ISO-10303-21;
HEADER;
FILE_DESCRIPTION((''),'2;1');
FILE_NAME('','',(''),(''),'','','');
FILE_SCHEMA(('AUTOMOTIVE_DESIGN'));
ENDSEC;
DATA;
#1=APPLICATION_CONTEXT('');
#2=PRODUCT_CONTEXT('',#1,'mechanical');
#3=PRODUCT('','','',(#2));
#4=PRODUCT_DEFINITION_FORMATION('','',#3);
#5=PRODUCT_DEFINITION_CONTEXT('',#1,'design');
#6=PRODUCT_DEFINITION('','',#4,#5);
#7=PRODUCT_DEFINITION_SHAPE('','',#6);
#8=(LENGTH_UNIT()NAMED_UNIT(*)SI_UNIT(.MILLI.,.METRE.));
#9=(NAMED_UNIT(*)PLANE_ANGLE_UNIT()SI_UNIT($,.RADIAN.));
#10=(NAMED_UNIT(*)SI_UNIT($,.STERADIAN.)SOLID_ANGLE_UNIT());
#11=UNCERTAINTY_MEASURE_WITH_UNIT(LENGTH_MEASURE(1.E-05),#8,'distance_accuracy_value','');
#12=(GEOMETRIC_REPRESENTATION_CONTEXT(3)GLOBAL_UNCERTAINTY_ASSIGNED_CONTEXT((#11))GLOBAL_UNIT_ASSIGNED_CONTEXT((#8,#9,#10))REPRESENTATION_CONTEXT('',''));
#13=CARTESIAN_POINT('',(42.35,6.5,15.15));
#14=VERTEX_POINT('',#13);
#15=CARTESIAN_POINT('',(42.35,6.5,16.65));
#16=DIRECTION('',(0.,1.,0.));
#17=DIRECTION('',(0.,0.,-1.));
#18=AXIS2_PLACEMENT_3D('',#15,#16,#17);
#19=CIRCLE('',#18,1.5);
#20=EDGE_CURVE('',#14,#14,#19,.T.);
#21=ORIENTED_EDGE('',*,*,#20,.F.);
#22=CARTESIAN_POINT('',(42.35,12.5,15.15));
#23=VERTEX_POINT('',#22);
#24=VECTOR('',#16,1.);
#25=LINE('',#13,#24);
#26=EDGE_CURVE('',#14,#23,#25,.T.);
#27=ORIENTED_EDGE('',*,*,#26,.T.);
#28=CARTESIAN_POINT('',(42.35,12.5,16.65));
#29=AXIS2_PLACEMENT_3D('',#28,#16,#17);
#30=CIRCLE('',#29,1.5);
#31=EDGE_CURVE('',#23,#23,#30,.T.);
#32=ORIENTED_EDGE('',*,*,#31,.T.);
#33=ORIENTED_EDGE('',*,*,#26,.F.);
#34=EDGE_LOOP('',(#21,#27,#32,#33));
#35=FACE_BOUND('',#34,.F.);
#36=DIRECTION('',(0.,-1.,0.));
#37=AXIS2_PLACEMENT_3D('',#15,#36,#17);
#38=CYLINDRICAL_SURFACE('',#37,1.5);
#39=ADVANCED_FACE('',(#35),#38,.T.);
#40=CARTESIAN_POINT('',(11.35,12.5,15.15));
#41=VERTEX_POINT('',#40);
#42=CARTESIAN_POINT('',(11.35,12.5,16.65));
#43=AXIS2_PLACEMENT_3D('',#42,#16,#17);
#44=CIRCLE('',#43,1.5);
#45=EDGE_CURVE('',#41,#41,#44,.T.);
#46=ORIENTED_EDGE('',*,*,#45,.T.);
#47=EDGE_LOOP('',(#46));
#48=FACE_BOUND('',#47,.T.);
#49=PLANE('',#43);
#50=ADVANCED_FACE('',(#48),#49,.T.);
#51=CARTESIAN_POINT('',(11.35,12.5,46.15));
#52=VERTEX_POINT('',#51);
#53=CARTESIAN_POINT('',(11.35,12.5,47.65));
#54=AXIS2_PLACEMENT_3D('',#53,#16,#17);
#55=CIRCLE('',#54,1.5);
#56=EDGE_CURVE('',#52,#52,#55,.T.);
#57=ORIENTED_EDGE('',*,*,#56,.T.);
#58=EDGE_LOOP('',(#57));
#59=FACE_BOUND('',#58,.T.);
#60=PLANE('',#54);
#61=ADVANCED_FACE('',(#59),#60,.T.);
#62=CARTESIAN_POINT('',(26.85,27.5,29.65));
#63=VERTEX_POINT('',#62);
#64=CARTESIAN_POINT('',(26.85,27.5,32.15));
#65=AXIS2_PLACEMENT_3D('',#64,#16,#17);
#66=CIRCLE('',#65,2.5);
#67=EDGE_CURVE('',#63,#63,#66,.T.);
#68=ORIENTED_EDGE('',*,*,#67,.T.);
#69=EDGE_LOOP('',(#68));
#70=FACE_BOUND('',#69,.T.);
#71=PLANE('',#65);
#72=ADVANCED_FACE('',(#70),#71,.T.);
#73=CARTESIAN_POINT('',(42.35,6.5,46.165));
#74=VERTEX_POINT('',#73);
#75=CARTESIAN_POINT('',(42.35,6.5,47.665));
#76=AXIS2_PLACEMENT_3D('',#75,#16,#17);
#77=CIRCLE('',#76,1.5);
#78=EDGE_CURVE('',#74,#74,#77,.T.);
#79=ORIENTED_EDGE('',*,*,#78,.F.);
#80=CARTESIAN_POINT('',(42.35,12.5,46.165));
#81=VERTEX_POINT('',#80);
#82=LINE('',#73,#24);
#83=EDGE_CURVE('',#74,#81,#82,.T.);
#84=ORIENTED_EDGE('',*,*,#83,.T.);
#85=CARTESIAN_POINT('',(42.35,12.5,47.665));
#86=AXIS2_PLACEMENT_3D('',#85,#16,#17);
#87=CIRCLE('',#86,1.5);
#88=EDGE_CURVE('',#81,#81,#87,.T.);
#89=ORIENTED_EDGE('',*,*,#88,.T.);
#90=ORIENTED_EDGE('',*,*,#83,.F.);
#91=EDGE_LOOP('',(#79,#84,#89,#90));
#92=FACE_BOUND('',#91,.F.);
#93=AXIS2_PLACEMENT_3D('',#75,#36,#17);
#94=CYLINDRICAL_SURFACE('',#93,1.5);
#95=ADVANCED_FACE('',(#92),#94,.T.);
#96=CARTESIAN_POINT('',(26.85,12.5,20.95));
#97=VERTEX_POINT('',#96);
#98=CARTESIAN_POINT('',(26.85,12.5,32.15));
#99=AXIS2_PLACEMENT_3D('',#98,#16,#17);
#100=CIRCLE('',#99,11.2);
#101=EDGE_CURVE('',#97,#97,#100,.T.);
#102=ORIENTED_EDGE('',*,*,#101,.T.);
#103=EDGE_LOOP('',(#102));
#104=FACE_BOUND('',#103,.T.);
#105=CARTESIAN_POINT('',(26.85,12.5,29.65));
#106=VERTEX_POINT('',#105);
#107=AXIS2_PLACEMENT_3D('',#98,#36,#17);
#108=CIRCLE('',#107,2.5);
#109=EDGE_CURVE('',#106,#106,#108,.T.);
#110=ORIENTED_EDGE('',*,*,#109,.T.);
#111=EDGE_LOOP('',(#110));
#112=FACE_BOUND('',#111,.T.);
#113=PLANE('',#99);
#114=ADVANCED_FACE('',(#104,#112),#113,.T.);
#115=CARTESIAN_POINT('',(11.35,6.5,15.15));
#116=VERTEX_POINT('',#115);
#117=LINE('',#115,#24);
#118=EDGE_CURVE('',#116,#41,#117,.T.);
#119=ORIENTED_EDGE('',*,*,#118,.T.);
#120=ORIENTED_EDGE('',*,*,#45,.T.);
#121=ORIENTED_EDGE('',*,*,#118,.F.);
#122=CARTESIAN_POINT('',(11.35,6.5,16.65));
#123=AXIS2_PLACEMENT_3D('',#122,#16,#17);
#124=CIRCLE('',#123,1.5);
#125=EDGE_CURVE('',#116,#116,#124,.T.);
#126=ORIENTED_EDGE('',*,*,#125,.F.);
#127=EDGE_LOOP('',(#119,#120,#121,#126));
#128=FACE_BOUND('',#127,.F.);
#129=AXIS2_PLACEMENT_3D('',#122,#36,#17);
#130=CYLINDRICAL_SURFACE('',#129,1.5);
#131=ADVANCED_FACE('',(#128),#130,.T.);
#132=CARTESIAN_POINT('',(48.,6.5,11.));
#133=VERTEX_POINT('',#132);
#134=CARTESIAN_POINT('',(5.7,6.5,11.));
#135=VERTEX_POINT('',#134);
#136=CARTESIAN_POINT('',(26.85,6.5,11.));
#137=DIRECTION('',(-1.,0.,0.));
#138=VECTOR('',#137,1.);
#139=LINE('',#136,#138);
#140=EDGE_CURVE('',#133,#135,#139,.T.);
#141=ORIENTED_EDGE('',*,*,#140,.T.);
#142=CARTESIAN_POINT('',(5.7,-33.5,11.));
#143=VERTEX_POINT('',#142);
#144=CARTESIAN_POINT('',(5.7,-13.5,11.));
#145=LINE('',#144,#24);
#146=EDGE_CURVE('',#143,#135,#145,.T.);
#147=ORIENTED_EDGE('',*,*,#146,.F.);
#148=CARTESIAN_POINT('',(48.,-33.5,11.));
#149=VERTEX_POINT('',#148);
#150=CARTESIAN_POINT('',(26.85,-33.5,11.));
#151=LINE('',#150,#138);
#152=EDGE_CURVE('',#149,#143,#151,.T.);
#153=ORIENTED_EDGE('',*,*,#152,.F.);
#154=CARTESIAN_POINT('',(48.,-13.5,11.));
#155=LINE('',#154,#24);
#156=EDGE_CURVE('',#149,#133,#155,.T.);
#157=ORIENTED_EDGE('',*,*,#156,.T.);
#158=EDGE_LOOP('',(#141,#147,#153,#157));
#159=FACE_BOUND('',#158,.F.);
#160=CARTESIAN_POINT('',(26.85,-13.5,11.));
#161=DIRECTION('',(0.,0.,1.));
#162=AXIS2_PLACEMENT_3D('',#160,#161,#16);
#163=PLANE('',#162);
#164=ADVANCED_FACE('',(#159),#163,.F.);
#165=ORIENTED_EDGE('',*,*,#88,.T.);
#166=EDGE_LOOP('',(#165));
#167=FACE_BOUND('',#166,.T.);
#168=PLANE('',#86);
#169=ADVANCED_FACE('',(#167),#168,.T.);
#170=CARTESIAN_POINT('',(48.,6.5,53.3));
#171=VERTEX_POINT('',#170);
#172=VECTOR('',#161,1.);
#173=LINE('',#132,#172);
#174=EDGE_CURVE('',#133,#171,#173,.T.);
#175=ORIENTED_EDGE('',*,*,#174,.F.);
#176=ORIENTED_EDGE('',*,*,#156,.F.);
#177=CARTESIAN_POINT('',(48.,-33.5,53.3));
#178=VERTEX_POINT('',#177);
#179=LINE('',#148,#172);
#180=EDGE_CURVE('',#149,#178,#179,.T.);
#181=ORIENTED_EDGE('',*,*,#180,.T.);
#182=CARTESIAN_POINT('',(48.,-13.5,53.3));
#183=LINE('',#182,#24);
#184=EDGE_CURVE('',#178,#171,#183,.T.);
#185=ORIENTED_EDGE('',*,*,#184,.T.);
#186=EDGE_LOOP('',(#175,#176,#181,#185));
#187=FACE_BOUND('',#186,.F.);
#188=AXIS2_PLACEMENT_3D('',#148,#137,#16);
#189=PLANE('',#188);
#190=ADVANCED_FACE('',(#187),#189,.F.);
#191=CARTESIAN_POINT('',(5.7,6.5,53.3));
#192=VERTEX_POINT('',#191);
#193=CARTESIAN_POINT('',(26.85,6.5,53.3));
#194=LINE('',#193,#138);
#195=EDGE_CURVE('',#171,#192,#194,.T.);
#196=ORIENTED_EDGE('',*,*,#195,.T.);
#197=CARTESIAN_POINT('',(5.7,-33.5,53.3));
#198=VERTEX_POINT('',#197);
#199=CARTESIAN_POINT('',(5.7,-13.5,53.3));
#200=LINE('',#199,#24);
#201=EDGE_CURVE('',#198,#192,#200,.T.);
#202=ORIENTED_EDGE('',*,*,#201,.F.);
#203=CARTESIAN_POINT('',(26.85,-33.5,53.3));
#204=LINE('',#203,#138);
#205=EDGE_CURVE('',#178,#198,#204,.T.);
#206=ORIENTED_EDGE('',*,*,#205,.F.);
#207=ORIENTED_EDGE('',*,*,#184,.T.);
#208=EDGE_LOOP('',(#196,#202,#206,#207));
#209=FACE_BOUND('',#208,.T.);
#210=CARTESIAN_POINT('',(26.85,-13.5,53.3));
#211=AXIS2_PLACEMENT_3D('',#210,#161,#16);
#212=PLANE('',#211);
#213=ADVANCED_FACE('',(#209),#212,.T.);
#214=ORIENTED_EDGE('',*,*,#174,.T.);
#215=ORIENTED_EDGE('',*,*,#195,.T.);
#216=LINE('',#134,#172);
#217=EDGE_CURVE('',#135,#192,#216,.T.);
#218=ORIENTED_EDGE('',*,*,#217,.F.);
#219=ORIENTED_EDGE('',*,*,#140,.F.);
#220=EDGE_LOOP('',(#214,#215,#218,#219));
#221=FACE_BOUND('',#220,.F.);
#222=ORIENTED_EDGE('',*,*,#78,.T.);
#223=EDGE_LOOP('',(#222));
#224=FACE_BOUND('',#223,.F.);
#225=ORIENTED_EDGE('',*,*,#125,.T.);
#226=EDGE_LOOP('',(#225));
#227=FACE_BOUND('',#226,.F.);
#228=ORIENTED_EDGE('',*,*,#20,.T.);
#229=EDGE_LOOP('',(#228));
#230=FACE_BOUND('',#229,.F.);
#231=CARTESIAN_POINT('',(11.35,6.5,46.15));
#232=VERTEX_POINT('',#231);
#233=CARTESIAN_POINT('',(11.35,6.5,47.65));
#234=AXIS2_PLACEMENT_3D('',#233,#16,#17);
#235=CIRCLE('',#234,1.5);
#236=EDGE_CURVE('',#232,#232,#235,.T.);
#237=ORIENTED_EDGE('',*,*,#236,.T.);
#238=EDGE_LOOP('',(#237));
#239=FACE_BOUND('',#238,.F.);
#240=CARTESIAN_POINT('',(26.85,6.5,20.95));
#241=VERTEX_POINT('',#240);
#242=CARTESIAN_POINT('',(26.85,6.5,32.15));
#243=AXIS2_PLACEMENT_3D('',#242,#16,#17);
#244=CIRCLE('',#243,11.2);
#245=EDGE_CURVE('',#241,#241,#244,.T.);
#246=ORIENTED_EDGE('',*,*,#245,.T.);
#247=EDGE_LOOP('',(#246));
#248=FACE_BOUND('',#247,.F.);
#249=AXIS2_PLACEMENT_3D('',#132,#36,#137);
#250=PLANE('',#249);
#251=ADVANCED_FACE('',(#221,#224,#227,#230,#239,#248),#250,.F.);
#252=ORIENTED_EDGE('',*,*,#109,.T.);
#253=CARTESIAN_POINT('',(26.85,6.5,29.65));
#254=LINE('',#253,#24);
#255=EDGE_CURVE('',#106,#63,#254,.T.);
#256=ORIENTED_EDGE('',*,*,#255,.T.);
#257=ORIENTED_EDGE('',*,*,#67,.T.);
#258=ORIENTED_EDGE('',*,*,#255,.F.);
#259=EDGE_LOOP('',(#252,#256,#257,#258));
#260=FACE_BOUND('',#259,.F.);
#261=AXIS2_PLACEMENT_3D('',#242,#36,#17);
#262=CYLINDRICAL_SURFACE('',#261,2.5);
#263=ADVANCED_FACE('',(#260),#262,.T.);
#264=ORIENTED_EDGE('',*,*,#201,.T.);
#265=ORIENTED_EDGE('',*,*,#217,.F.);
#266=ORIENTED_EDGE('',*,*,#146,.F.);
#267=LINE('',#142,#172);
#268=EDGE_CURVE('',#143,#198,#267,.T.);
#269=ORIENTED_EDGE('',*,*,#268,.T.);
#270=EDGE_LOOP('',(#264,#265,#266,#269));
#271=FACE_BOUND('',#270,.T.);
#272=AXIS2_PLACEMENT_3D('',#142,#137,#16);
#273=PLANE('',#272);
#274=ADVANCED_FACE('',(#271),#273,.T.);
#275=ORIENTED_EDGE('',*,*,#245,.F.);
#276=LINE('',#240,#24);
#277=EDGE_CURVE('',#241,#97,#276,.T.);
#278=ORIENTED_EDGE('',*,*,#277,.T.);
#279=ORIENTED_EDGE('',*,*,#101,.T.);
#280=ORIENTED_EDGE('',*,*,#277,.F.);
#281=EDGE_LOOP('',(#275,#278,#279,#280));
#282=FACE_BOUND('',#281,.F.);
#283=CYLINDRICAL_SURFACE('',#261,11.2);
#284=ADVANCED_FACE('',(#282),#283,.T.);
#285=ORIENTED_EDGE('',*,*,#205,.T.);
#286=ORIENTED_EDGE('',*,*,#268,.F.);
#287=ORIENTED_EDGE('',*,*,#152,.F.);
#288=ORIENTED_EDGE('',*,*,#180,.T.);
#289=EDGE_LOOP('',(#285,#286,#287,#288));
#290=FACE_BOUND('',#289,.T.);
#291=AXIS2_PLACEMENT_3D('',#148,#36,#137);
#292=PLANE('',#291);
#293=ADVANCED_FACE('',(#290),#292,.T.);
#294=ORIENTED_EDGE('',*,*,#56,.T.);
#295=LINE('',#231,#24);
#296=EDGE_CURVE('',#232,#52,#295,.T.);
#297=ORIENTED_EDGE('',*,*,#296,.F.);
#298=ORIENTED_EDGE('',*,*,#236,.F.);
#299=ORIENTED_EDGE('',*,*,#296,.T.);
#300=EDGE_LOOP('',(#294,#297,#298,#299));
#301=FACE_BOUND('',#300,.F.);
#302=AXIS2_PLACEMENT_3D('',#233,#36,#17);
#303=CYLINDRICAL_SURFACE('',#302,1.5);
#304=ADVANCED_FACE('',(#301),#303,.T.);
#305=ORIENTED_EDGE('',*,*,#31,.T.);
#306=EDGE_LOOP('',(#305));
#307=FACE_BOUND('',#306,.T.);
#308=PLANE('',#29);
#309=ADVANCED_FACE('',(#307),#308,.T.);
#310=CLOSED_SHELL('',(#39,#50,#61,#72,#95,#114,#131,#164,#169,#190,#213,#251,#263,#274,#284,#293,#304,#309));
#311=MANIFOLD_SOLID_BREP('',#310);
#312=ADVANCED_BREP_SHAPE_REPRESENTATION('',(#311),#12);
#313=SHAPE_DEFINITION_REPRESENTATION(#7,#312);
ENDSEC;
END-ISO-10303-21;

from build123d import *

# Parameters (mm, degrees)
CYLINDER236_R             = 1.5
CYLINDER236_DEPTH         = 6
CYLINDER234_R             = 1.5
CYLINDER234_DEPTH         = 6
CYLINDER232_R             = 11.2
CYLINDER232_DEPTH         = 6
CYLINDER237_R             = 2.5
CYLINDER237_DEPTH         = 21
CYLINDER235_R             = 1.5
CYLINDER235_DEPTH         = 6
CYLINDER233_R             = 1.5
CYLINDER233_DEPTH         = 6
BOX091_W                  = 40
BOX091_H                  = 42.3
BOX091_DEPTH              = 42.3
FUSION096_PLACEMENT_ANGLE = 90


with BuildPart() as cylinder236:
    # Cylinder236 → Cylinder236 (new body)
    with BuildSketch(Plane(origin=(40, 5.65, 36.665), x_dir=(0, 0, -1), z_dir=(1, 0, 0))):
        Circle(CYLINDER236_R)
    extrude(amount=CYLINDER236_DEPTH)


with BuildPart() as cylinder234:
    # Cylinder234 → Cylinder234 (new body)
    with BuildSketch(Plane(origin=(40, 36.65, 36.65), x_dir=(0, 0, -1), z_dir=(1, 0, 0))):
        Circle(CYLINDER234_R)
    extrude(amount=CYLINDER234_DEPTH)


with BuildPart() as cylinder232:
    # Cylinder232 → Cylinder232 (new body)
    with BuildSketch(Plane(origin=(40, 21.15, 21.15), x_dir=(0, 0, -1), z_dir=(1, 0, 0))):
        Circle(CYLINDER232_R)
    extrude(amount=CYLINDER232_DEPTH)


with BuildPart() as cylinder237:
    # Cylinder237 → Cylinder237 (new body)
    with BuildSketch(Plane(origin=(40, 21.15, 21.15), x_dir=(0, 0, -1), z_dir=(1, 0, 0))):
        Circle(CYLINDER237_R)
    extrude(amount=CYLINDER237_DEPTH)


with BuildPart() as cylinder235:
    # Cylinder235 → Cylinder235 (new body)
    with BuildSketch(Plane(origin=(40, 5.65, 5.65), x_dir=(0, 0, -1), z_dir=(1, 0, 0))):
        Circle(CYLINDER235_R)
    extrude(amount=CYLINDER235_DEPTH)


with BuildPart() as cylinder233:
    # Cylinder233 → Cylinder233 (new body)
    with BuildSketch(Plane(origin=(40, 36.65, 5.65), x_dir=(0, 0, -1), z_dir=(1, 0, 0))):
        Circle(CYLINDER233_R)
    extrude(amount=CYLINDER233_DEPTH)


with BuildPart() as fusion096:
    # Box091 → Box091 (new body)
    with BuildSketch(Plane.XY):
        with Locations((20, 21.15)):
            Rectangle(BOX091_W, BOX091_H)
    extrude(amount=BOX091_DEPTH)

    # Fusion096: union Cylinder236, Cylinder234, Cylinder232, Cylinder237, Cylinder235, Cylinder233
    add(cylinder236.part)
    add(cylinder234.part)
    add(cylinder232.part)
    add(cylinder237.part)
    add(cylinder235.part)
    add(cylinder233.part)


with BuildPart() as fusion096_1:
    # Fusion096 placement: moved
    add(fusion096.part.moved(Location((48, -33.5, 11))).rotate(Axis((48, -33.5, 11), (0, 0, 1)), FUSION096_PLACEMENT_ANGLE))


solid = fusion096_1.part
